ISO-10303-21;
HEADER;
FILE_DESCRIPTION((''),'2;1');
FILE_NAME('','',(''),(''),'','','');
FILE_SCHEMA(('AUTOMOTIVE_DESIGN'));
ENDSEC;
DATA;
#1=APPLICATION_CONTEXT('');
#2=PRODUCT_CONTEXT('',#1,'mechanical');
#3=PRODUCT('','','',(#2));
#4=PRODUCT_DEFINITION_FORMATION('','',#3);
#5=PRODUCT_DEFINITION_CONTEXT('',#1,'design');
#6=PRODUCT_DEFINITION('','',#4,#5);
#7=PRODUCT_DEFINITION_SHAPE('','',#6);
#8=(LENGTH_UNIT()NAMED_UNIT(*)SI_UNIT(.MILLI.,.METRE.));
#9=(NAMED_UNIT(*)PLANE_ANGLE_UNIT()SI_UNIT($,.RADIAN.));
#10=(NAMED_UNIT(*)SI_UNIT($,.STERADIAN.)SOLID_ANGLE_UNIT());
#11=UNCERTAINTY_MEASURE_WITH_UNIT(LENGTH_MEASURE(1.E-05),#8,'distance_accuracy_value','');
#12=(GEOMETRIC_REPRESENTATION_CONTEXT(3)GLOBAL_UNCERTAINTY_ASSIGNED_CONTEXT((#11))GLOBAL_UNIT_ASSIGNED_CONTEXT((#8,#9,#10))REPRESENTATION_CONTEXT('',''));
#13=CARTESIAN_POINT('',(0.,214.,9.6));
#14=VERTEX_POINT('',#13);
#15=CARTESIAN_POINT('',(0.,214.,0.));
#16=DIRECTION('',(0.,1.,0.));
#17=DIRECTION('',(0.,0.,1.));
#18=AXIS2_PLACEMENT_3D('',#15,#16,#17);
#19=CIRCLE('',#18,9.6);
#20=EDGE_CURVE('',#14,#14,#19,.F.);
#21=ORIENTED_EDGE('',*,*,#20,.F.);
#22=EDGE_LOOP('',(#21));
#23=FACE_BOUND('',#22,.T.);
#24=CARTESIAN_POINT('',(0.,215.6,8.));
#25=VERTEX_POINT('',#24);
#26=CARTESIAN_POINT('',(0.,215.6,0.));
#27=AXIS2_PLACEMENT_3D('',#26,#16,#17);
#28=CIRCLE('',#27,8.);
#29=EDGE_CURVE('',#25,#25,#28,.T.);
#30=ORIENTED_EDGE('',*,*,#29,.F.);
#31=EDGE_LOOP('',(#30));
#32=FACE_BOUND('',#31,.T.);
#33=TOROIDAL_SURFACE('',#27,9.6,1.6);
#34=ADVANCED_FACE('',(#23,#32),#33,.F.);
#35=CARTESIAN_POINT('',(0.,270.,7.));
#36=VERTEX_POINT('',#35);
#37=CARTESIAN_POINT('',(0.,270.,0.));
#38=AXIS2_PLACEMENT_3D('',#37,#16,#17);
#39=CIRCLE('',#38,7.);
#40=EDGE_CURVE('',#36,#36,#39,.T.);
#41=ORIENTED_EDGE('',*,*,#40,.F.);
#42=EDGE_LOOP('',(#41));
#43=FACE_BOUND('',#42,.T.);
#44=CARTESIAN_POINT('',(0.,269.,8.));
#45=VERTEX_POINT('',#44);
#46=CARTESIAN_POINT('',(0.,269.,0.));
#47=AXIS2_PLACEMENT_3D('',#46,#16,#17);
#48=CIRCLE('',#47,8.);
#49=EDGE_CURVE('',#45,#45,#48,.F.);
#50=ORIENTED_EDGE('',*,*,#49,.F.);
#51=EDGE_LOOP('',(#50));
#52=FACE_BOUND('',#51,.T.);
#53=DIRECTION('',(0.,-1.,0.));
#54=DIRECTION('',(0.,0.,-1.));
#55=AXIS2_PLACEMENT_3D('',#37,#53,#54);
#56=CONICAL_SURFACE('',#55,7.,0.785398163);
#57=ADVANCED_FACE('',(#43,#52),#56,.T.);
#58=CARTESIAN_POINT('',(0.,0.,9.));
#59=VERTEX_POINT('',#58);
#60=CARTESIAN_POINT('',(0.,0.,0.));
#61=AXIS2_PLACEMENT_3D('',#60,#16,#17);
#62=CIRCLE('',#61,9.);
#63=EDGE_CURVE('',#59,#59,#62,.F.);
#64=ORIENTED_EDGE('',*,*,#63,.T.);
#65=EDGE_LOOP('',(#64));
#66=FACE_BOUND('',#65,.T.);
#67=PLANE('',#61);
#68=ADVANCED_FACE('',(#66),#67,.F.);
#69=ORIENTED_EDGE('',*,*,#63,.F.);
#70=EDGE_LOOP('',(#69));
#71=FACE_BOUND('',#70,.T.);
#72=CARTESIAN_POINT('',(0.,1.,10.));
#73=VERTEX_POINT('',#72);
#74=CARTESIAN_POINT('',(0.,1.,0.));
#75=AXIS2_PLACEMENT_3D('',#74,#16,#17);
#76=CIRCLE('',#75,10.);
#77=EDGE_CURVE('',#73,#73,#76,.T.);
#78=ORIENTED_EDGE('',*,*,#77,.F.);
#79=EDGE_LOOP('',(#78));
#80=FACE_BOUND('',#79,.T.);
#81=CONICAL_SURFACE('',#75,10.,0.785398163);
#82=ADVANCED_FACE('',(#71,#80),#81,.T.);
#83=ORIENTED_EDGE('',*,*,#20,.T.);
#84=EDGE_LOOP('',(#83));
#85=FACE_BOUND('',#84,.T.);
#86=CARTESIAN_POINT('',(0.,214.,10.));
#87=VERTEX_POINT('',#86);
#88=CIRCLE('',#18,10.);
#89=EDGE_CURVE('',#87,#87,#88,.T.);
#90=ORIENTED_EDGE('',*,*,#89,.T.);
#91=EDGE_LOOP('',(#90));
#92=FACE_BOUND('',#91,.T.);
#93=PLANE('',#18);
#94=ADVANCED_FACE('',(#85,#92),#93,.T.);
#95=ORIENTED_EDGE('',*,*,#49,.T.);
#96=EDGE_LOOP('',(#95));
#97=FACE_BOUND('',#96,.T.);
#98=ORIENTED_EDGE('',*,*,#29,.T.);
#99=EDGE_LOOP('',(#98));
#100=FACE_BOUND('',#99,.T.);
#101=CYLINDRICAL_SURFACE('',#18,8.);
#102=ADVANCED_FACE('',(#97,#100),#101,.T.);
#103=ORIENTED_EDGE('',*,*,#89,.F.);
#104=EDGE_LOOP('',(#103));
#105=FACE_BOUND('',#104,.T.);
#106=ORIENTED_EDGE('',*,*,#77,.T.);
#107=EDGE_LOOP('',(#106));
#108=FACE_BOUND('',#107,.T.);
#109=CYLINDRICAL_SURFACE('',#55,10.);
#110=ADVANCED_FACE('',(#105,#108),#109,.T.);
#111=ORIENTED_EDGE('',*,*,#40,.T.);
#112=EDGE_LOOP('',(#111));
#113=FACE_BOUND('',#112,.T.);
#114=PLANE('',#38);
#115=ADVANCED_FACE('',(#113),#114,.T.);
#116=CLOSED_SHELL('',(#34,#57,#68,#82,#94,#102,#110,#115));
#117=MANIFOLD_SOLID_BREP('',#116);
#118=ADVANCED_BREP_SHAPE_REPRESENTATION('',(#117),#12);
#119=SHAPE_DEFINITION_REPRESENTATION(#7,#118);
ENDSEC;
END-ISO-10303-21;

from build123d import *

# Parameters (mm, degrees)
SKETCH_1_R          = 10
EXTRUDE_1_DEPTH     = 270
SKETCH_2_OUTSIDE_W  = 76.296
SKETCH_2_OUTSIDE_H  = 76.296
SKETCH_2_OUTSIDE_R  = 8
CUT_EXTRUDE_2_DEPTH = 56
FILLET_1_R          = 1.6
CHAMFER_1_SIZE      = 1


with BuildPart() as part:
    # Эскиз1 → Вытянуть1 (new body)
    with BuildSketch(Plane(origin=(0, 0, 0), x_dir=(1, 0, 0), z_dir=(0, 1, 0))):
        Circle(SKETCH_1_R)
    extrude(amount=EXTRUDE_1_DEPTH)

    # Эскиз2 outside → Вытянуть2 (cut)
    with BuildSketch(Plane(origin=(0, 270, 0), x_dir=(1, 0, 0), z_dir=(0, 1, 0))):
        Rectangle(SKETCH_2_OUTSIDE_W, SKETCH_2_OUTSIDE_H)
        Circle(SKETCH_2_OUTSIDE_R, mode=Mode.SUBTRACT)
    extrude(amount=-CUT_EXTRUDE_2_DEPTH, mode=Mode.SUBTRACT)

    # Скругление1
    fillet_1_edges = [part.edges().sort_by_distance(p)[0] for p in [
        (-8, 214, 0),
    ]]
    fillet(fillet_1_edges, radius=FILLET_1_R)

    # Фаска1
    chamfer_1_edges = [part.edges().sort_by_distance(p)[0] for p in [
        (-8, 270, 0),
        (-10, 0, 0),
    ]]
    chamfer(chamfer_1_edges, length=CHAMFER_1_SIZE)


solid = part.part
